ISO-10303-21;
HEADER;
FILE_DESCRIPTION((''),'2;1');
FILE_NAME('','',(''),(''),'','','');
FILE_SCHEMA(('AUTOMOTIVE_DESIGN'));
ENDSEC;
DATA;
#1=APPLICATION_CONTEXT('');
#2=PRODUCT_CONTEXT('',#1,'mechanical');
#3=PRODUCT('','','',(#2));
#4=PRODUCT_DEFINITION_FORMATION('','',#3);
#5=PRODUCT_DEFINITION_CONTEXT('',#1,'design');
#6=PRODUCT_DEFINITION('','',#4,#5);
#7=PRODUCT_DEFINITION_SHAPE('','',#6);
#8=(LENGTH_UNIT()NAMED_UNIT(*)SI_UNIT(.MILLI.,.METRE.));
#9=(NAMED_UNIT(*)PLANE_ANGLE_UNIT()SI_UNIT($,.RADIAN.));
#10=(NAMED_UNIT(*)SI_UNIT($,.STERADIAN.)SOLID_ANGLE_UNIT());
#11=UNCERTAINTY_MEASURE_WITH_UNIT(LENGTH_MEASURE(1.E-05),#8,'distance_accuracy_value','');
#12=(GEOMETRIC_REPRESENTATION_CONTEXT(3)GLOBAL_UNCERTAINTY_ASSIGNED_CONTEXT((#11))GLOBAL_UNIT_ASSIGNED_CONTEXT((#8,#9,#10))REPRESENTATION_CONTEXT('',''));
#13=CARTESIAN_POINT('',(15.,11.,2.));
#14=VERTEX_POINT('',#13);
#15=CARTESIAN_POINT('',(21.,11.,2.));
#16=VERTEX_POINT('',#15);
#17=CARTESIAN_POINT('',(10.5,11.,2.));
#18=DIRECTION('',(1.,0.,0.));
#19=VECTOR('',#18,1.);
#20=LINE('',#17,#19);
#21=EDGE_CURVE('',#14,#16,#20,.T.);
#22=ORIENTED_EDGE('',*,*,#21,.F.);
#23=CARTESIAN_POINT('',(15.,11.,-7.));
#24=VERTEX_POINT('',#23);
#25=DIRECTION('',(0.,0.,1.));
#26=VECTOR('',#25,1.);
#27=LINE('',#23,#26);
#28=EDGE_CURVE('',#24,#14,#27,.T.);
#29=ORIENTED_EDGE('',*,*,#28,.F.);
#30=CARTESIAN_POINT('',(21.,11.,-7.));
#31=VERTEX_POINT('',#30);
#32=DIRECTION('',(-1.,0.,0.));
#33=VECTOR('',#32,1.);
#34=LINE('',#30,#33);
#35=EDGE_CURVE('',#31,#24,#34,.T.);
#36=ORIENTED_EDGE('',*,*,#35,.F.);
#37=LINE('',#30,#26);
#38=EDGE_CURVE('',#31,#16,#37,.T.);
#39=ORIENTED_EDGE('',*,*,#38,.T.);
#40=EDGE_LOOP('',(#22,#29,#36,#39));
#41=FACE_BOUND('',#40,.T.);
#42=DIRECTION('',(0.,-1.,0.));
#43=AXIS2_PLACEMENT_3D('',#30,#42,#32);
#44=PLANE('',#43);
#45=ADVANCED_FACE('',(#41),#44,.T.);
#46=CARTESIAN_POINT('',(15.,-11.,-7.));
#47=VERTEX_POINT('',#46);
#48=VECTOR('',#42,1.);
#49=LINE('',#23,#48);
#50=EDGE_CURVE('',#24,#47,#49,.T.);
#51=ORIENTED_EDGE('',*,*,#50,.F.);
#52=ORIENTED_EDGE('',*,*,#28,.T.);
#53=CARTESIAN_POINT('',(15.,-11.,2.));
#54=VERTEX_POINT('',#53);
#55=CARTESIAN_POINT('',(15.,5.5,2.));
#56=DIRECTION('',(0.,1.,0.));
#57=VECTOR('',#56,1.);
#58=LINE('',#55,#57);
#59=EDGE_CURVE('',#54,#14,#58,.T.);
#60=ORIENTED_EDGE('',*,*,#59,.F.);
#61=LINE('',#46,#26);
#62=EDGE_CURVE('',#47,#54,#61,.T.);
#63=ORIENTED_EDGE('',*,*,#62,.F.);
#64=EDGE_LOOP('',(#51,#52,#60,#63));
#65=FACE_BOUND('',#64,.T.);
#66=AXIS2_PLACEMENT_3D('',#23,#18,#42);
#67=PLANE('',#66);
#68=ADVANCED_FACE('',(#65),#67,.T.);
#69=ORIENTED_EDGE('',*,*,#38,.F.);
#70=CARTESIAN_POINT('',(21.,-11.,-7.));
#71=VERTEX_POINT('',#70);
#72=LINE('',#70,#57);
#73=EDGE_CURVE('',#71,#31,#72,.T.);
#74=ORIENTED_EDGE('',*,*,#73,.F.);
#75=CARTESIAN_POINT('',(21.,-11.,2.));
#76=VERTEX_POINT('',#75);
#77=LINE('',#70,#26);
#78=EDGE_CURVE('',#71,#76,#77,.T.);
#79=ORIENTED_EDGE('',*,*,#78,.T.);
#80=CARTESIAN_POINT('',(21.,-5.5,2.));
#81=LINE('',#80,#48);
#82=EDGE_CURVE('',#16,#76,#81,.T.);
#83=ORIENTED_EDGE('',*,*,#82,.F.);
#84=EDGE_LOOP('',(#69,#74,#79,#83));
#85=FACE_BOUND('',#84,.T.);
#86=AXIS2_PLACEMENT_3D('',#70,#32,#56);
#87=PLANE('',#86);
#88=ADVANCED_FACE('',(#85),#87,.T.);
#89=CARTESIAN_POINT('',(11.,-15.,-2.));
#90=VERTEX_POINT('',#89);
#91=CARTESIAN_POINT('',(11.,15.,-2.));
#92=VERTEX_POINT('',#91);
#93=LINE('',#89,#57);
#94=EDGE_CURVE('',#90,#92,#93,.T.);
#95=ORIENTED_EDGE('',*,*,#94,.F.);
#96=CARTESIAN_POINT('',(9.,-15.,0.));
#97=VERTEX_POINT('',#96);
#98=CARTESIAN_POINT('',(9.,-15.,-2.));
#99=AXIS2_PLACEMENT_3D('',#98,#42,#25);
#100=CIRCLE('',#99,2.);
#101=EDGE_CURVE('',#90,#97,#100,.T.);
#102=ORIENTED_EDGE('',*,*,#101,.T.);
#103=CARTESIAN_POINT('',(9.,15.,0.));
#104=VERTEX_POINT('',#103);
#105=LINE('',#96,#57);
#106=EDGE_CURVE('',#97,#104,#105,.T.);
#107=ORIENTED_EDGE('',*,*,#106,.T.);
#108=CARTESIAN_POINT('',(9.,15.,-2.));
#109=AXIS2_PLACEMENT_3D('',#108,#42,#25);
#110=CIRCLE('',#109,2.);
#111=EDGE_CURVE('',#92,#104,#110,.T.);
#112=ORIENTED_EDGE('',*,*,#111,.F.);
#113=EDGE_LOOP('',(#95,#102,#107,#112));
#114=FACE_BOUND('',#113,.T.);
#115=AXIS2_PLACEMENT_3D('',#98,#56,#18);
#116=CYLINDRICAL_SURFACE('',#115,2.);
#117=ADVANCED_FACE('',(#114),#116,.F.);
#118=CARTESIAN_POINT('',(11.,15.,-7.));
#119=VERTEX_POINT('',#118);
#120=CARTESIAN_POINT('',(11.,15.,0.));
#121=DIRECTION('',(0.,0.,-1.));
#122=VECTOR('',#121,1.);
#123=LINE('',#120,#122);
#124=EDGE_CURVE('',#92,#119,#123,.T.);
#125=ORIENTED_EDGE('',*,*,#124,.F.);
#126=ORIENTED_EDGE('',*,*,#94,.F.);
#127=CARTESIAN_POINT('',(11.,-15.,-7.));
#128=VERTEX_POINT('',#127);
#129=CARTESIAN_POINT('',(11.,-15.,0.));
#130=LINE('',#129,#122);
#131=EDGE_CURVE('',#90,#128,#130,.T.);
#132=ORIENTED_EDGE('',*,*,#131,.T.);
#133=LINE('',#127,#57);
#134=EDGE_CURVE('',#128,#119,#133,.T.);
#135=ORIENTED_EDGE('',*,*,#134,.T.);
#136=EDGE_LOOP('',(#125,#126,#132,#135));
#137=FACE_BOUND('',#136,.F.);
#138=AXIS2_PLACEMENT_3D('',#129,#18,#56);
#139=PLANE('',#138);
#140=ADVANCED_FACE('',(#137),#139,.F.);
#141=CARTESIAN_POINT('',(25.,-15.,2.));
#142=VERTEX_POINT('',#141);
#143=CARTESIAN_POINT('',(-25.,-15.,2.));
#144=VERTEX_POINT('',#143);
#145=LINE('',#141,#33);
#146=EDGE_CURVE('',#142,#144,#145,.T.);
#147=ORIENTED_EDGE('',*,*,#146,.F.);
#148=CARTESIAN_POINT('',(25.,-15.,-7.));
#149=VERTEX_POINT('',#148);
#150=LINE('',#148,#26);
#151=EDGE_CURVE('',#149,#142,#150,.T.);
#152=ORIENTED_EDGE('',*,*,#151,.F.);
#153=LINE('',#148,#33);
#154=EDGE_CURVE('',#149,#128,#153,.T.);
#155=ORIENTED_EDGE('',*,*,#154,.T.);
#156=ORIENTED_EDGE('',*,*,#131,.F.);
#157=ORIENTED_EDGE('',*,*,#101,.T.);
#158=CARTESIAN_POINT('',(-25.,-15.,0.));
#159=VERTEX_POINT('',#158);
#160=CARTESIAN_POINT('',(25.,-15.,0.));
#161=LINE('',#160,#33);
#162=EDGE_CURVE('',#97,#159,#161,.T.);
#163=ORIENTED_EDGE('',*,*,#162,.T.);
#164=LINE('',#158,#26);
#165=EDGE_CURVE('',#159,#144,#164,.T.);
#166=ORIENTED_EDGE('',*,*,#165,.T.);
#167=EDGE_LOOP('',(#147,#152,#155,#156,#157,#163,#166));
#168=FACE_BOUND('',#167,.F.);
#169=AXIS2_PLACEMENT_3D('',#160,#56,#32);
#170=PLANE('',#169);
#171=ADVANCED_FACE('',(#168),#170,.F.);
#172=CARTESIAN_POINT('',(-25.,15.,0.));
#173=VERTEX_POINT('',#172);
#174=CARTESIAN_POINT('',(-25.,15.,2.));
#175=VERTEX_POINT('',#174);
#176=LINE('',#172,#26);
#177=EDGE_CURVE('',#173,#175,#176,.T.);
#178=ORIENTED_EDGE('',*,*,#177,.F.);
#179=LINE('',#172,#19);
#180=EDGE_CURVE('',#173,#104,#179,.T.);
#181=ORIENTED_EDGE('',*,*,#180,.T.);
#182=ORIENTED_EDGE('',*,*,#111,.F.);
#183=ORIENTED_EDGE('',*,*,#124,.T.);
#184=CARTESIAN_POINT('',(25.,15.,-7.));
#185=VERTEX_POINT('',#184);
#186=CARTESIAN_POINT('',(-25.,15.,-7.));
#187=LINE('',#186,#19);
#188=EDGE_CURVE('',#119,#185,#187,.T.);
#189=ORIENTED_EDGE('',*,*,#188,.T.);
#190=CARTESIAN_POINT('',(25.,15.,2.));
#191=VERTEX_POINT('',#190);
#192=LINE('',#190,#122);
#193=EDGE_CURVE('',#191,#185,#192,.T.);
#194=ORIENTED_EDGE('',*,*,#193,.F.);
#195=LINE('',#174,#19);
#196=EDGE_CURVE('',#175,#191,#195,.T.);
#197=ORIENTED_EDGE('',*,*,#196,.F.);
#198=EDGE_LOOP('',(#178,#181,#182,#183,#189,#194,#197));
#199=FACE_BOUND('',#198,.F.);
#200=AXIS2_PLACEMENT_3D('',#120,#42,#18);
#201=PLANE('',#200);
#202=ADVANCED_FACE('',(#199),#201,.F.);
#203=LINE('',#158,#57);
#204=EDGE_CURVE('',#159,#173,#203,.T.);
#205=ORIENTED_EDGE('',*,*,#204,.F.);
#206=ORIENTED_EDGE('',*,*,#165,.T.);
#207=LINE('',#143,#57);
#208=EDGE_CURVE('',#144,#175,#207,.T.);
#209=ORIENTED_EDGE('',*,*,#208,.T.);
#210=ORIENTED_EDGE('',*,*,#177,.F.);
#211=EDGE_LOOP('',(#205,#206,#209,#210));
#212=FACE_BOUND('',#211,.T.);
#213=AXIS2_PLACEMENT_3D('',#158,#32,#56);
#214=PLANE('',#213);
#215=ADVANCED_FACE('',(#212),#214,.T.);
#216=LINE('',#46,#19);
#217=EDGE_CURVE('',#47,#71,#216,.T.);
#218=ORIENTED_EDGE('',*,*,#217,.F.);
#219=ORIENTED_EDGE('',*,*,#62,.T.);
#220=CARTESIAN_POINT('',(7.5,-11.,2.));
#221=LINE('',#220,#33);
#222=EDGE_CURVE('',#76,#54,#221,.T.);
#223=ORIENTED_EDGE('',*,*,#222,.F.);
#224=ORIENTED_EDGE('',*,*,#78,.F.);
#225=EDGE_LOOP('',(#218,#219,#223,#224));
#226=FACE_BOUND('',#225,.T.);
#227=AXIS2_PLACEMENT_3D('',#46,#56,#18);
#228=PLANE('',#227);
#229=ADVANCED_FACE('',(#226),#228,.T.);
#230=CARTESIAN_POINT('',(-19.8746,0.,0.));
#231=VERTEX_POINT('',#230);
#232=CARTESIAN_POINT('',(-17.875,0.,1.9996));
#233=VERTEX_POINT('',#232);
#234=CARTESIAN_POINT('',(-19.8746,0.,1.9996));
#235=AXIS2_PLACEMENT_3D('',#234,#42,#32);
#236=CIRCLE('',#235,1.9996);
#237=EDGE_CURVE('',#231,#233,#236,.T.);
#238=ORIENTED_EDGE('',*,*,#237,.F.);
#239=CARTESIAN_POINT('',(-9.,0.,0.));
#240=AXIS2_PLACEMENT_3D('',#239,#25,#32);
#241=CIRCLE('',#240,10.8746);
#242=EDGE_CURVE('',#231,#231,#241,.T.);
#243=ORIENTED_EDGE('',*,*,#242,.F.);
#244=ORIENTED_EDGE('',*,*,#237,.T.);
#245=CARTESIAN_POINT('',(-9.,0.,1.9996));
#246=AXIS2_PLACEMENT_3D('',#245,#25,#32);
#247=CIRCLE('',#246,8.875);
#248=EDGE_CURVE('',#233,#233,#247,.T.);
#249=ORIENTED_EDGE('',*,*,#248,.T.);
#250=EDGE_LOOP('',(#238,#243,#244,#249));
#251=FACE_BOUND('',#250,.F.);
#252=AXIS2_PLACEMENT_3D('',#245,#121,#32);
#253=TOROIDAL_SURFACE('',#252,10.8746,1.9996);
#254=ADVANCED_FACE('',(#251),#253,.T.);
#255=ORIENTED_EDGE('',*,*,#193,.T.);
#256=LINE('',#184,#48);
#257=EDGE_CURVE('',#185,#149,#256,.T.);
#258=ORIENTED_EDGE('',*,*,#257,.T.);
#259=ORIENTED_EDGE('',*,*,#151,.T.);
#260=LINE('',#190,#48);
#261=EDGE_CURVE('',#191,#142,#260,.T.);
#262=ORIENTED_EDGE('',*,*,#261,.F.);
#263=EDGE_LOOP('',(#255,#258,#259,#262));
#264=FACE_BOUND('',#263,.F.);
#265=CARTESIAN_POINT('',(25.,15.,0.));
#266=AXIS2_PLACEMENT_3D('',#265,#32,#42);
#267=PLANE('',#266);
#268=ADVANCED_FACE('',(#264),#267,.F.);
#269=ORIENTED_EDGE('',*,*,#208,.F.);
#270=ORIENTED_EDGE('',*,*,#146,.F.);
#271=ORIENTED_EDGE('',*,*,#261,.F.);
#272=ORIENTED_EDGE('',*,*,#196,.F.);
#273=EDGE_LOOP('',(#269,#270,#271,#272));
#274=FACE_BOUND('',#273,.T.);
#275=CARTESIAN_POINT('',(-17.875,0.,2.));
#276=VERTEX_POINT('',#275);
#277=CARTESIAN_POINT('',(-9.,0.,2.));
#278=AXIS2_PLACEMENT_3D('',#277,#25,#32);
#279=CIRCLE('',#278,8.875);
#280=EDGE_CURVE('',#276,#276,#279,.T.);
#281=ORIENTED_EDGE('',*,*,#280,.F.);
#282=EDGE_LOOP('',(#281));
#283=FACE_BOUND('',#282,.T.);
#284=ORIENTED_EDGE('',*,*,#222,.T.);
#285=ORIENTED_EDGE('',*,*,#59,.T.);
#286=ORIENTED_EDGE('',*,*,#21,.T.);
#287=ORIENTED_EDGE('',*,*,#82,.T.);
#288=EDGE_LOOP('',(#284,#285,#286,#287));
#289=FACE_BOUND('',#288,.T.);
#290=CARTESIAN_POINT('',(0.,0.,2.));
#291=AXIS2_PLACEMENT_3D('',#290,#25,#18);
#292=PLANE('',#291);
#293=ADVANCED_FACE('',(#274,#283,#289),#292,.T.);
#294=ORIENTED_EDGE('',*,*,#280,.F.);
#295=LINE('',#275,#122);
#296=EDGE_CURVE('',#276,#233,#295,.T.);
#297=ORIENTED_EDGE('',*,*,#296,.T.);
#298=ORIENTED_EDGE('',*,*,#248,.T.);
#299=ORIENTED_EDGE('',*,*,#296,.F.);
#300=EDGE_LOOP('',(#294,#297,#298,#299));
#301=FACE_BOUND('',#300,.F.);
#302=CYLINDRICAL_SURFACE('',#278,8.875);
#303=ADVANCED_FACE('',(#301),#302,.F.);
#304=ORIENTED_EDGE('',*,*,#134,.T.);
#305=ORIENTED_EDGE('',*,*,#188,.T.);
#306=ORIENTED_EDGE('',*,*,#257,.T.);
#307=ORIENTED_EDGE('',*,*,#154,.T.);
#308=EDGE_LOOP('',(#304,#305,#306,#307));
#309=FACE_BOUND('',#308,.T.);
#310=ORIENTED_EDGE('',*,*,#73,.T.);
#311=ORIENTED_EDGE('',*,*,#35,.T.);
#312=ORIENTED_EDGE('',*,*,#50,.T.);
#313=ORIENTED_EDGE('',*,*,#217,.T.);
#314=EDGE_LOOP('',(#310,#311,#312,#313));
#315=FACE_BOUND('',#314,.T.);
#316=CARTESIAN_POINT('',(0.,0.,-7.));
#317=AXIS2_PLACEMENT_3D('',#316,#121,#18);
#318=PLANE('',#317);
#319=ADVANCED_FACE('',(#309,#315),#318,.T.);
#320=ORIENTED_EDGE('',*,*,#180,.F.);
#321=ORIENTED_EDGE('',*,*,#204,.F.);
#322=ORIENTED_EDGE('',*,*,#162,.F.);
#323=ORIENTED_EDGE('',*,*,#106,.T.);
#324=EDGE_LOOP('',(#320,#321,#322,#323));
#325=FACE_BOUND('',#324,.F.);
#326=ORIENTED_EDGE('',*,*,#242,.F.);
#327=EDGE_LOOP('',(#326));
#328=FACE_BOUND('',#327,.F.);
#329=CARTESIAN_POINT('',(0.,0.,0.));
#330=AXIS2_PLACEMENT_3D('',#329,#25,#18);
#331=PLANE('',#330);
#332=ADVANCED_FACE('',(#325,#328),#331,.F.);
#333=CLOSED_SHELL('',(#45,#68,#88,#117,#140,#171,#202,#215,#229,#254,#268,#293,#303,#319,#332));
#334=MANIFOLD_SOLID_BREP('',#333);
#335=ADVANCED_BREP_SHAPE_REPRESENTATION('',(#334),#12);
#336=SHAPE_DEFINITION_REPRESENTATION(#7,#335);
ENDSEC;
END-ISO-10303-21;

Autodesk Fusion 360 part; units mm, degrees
sketch "Sketch2" plane through (0, 0, 0) normal (0, 0, 1) x (1, 0, 0)
  line L0 (25, -15) -> (-25, -15)
  line L1 (-25, -15) -> (-25, 15)
  line L2 (-25, 15) -> (25, 15)
  line L3 (25, 15) -> (25, -15)
  line L4 (25, -15) -> (-25, 15) construction
  line L5 (-25, -15) -> (25, 15) construction
  dimension "d3" = 50
  dimension "d4" = 30
extrude "Extrude1" add sketch "Sketch2" along normal blind 2
sketch "Sketch3" plane through (0, 0, 2) normal (0, 0, 1) x (-1, 0, 0)
  line L0 (-25, -15) -> (25, -15)
  line L1 (25, -15) -> (25, 15)
  line L2 (25, 15) -> (-25, 15)
  line L3 (-25, 15) -> (-25, -15)
  circle A0 centre (9, 0) radius 8.875
  circle A1 centre (9, 0) radius 12
  dimension "d7" = 17.75
  dimension "d8" = 24
  dimension "d9" = 16
extrude "Extrude2" cut sketch "Sketch3" against normal blind 4 contours A0
sketch "Sketch4" plane through (0, 0, 0) normal (0, 0, -1) x (1, 0, 0)
  circle A0 centre (-9, 0) radius 8.875
  line L0 (-25, -15) -> (25, -15)
  line L1 (25, -15) -> (25, 15)
  line L2 (25, 15) -> (-25, 15)
  line L3 (-25, 15) -> (-25, -15)
  line L4 (25, 15) -> (11, 15)
  line L5 (11, 15) -> (11, -15)
  line L6 (11, -15) -> (25, -15)
  line L7 (25, -15) -> (25, 15)
  dimension "d12" = 14
extrude "Extrude3" add sketch "Sketch4" along normal blind 7 contours L0 L1 L2 L4 L5 L6 L7
fillet "Fillet1" radius 2 1 edges at (11, 0, 0)
fillet "Fillet2" radius 2 1 edges at (-0.7256, 3.2093, 0)
sketch "Sketch5" plane through (0, 0, -7) normal (0, 0, -1) x (1, 0, 0)
  line L0 (25, -15) -> (25, 15)
  line L1 (25, 15) -> (11, 15)
  line L2 (11, 15) -> (11, -15)
  line L3 (11, -15) -> (25, -15)
  line L4 (15, 11) -> (21, 11)
  line L5 (21, 11) -> (21, -11)
  line L6 (21, -11) -> (15, -11)
  line L7 (15, -11) -> (15, 11)
  dimension "d19" = 4
  dimension "d20" = 4
  dimension "d21" = 4
  dimension "d22" = 4
extrude "Extrude4" cut sketch "Sketch5" against normal blind 17 contours L4 L5 L6 L7
equation "d20 = d19"
equation "d21 = d19"
equation "d22 = d19"
